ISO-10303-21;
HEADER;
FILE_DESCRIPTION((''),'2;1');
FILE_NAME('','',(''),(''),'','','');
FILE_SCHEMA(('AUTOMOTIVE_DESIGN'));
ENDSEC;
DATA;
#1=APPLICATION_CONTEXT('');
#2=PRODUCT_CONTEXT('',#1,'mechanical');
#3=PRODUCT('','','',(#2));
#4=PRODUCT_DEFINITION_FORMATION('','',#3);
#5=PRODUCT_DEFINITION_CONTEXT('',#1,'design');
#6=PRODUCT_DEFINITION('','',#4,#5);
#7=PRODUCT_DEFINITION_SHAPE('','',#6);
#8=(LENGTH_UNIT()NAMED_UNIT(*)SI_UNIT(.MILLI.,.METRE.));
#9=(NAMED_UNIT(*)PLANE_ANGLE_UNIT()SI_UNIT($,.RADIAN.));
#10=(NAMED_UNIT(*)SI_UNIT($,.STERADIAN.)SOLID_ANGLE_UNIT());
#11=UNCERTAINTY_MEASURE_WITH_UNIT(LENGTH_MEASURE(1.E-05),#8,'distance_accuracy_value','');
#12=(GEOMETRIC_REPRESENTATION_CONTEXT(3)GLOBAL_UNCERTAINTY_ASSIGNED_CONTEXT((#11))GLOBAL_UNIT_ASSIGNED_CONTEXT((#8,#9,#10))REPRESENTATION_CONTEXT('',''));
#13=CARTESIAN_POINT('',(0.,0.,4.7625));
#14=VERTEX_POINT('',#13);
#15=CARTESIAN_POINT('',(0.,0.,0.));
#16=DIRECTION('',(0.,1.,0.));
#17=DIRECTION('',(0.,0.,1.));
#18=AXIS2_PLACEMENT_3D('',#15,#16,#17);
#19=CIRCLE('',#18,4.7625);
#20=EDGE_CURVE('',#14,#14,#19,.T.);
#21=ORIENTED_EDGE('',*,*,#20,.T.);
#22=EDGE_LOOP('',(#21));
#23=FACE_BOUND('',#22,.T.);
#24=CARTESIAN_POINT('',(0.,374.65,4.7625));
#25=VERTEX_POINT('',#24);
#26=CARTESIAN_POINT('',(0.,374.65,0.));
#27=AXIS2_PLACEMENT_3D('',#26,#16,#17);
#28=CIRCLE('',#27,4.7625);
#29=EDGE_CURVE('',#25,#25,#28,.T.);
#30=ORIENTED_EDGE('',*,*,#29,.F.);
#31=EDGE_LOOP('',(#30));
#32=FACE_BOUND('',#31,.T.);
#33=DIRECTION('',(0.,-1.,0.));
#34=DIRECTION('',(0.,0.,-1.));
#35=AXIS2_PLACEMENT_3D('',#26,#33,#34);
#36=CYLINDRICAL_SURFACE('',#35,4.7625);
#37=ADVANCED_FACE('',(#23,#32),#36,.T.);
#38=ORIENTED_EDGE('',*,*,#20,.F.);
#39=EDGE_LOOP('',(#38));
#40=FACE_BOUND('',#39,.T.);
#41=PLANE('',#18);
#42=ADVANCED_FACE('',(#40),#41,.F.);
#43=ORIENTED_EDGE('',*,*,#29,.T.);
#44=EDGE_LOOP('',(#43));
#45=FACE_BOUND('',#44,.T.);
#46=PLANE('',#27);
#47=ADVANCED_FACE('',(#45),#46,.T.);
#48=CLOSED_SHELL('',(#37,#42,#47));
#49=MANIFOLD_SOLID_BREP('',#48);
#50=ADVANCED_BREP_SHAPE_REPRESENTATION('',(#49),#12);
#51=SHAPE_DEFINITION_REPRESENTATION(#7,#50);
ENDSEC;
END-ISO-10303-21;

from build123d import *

# Parameters (mm, degrees)
SKETCH1_R           = 4.7625
BOSS_EXTRUDE1_DEPTH = 374.65


with BuildPart() as part:
    # Sketch1 → Boss-Extrude1 (new body)
    with BuildSketch(Plane(origin=(0, 0, 0), x_dir=(1, 0, 0), z_dir=(0, 1, 0))):
        Circle(SKETCH1_R)
    extrude(amount=BOSS_EXTRUDE1_DEPTH)


solid = part.part
